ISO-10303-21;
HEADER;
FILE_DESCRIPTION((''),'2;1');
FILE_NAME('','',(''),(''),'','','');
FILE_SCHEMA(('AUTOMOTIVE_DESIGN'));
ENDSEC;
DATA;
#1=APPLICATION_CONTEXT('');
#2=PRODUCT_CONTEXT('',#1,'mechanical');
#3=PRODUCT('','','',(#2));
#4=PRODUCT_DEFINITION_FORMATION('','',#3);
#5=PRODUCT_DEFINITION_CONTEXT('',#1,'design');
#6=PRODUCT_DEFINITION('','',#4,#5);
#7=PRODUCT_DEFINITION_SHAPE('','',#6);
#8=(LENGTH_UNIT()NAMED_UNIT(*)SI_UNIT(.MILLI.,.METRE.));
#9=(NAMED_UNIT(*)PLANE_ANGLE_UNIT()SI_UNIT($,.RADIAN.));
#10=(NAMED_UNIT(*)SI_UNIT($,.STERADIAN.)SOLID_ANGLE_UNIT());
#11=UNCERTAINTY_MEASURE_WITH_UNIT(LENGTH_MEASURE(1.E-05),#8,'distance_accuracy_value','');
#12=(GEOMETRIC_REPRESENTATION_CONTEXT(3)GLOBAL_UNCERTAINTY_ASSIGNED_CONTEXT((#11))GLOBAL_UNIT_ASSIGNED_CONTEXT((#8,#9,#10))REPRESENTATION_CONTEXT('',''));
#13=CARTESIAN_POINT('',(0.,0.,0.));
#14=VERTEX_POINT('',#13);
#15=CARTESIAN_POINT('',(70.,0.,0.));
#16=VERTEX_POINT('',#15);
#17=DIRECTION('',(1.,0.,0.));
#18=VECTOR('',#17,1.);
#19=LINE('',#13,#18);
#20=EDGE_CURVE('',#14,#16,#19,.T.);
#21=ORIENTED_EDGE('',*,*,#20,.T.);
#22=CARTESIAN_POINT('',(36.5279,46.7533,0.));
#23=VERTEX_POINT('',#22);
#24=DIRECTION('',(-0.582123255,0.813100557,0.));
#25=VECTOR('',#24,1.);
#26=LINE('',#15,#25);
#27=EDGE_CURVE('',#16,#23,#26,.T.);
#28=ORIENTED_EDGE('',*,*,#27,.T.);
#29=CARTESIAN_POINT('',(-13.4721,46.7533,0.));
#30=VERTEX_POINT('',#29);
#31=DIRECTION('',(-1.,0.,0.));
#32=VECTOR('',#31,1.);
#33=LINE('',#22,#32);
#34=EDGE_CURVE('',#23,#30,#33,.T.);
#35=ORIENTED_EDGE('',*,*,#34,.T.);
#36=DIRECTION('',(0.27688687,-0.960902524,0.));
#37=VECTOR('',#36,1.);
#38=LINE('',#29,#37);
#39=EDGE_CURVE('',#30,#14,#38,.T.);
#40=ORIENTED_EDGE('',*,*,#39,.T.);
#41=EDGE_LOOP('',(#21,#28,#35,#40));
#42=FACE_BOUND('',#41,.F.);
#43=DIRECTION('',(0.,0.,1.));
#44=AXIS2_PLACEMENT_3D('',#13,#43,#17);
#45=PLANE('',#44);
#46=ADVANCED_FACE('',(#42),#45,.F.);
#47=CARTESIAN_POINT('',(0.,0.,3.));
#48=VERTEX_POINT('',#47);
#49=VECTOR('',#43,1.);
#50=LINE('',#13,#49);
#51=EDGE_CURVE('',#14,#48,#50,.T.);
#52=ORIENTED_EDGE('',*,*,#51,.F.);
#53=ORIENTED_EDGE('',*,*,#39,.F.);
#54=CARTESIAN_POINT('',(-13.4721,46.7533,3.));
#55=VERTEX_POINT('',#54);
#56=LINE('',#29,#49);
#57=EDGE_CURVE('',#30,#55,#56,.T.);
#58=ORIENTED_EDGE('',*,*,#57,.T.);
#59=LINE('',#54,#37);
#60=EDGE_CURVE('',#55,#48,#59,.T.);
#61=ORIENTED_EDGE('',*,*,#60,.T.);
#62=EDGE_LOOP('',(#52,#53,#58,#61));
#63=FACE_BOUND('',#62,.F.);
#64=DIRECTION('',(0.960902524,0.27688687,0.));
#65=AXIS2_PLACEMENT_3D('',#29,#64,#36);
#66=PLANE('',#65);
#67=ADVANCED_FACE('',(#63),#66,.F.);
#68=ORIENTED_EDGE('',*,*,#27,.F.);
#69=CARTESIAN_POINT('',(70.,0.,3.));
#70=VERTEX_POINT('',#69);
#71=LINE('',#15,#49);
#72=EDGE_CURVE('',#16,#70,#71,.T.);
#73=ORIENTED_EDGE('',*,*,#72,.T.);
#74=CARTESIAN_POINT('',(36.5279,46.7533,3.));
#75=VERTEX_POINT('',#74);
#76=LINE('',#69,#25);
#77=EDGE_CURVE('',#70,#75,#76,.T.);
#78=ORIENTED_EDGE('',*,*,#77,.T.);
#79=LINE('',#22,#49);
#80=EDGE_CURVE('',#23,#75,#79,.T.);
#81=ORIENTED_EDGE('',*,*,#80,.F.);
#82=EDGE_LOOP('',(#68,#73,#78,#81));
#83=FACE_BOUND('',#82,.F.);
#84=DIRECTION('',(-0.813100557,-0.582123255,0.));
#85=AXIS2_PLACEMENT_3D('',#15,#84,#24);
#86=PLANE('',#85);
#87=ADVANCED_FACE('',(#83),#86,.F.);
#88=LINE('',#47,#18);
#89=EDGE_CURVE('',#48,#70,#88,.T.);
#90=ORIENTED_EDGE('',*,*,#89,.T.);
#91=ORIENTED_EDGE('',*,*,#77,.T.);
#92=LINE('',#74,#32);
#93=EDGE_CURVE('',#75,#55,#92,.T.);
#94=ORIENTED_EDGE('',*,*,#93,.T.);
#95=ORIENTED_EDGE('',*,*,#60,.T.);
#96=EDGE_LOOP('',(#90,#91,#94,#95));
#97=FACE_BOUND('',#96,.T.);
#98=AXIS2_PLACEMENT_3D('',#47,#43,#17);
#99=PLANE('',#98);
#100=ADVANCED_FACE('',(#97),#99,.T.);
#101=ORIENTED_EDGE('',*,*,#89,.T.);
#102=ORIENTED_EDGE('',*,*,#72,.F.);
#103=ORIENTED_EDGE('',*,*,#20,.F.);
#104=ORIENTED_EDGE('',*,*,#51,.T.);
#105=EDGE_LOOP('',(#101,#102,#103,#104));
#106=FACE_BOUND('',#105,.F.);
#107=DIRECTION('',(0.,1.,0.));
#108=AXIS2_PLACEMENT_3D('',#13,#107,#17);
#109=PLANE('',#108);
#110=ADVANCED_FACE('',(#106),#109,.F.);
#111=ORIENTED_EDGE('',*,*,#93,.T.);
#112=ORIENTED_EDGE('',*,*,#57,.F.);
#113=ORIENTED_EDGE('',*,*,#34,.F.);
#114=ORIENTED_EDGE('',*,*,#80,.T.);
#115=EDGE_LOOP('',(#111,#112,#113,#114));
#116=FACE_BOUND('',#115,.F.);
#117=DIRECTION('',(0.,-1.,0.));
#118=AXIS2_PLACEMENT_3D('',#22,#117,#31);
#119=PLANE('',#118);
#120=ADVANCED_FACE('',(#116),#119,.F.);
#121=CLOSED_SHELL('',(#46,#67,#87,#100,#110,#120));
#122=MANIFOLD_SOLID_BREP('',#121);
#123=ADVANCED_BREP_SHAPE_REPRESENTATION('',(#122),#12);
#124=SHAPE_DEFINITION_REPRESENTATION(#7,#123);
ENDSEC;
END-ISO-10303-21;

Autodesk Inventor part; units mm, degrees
ref_plane "YZ Plane" through (0, 0, 0) normal (1, 0, 0) x (0, 1, 0)
ref_plane "XZ Plane" through (0, 0, 0) normal (0, 1, 0) x (-1, 0, 0)
ref_plane "XY Plane" through (0, 0, 0) normal (0, 0, 1) x (1, 0, 0)
sketch "Sketch1" plane through (0, 0, 0) normal (0, 0, 1) x (1, 0, 0)
  line L0 (0, 0) -> (70, 0)
  line L1 (70, 0) -> (36.5279, 46.7533)
  line L2 (36.5279, 46.7533) -> (-13.4721, 46.7533)
  line L3 (-13.4721, 46.7533) -> (0, 0)
  dimension "d0" = 70
  dimension "d1" = 57.5
  dimension "d2" = 54.4
  dimension "d3" = 50
extrude "Extrusion1" add sketch "Sketch1" along normal blind 3
properties part number "Canard Fin" material "FibreGlass"
